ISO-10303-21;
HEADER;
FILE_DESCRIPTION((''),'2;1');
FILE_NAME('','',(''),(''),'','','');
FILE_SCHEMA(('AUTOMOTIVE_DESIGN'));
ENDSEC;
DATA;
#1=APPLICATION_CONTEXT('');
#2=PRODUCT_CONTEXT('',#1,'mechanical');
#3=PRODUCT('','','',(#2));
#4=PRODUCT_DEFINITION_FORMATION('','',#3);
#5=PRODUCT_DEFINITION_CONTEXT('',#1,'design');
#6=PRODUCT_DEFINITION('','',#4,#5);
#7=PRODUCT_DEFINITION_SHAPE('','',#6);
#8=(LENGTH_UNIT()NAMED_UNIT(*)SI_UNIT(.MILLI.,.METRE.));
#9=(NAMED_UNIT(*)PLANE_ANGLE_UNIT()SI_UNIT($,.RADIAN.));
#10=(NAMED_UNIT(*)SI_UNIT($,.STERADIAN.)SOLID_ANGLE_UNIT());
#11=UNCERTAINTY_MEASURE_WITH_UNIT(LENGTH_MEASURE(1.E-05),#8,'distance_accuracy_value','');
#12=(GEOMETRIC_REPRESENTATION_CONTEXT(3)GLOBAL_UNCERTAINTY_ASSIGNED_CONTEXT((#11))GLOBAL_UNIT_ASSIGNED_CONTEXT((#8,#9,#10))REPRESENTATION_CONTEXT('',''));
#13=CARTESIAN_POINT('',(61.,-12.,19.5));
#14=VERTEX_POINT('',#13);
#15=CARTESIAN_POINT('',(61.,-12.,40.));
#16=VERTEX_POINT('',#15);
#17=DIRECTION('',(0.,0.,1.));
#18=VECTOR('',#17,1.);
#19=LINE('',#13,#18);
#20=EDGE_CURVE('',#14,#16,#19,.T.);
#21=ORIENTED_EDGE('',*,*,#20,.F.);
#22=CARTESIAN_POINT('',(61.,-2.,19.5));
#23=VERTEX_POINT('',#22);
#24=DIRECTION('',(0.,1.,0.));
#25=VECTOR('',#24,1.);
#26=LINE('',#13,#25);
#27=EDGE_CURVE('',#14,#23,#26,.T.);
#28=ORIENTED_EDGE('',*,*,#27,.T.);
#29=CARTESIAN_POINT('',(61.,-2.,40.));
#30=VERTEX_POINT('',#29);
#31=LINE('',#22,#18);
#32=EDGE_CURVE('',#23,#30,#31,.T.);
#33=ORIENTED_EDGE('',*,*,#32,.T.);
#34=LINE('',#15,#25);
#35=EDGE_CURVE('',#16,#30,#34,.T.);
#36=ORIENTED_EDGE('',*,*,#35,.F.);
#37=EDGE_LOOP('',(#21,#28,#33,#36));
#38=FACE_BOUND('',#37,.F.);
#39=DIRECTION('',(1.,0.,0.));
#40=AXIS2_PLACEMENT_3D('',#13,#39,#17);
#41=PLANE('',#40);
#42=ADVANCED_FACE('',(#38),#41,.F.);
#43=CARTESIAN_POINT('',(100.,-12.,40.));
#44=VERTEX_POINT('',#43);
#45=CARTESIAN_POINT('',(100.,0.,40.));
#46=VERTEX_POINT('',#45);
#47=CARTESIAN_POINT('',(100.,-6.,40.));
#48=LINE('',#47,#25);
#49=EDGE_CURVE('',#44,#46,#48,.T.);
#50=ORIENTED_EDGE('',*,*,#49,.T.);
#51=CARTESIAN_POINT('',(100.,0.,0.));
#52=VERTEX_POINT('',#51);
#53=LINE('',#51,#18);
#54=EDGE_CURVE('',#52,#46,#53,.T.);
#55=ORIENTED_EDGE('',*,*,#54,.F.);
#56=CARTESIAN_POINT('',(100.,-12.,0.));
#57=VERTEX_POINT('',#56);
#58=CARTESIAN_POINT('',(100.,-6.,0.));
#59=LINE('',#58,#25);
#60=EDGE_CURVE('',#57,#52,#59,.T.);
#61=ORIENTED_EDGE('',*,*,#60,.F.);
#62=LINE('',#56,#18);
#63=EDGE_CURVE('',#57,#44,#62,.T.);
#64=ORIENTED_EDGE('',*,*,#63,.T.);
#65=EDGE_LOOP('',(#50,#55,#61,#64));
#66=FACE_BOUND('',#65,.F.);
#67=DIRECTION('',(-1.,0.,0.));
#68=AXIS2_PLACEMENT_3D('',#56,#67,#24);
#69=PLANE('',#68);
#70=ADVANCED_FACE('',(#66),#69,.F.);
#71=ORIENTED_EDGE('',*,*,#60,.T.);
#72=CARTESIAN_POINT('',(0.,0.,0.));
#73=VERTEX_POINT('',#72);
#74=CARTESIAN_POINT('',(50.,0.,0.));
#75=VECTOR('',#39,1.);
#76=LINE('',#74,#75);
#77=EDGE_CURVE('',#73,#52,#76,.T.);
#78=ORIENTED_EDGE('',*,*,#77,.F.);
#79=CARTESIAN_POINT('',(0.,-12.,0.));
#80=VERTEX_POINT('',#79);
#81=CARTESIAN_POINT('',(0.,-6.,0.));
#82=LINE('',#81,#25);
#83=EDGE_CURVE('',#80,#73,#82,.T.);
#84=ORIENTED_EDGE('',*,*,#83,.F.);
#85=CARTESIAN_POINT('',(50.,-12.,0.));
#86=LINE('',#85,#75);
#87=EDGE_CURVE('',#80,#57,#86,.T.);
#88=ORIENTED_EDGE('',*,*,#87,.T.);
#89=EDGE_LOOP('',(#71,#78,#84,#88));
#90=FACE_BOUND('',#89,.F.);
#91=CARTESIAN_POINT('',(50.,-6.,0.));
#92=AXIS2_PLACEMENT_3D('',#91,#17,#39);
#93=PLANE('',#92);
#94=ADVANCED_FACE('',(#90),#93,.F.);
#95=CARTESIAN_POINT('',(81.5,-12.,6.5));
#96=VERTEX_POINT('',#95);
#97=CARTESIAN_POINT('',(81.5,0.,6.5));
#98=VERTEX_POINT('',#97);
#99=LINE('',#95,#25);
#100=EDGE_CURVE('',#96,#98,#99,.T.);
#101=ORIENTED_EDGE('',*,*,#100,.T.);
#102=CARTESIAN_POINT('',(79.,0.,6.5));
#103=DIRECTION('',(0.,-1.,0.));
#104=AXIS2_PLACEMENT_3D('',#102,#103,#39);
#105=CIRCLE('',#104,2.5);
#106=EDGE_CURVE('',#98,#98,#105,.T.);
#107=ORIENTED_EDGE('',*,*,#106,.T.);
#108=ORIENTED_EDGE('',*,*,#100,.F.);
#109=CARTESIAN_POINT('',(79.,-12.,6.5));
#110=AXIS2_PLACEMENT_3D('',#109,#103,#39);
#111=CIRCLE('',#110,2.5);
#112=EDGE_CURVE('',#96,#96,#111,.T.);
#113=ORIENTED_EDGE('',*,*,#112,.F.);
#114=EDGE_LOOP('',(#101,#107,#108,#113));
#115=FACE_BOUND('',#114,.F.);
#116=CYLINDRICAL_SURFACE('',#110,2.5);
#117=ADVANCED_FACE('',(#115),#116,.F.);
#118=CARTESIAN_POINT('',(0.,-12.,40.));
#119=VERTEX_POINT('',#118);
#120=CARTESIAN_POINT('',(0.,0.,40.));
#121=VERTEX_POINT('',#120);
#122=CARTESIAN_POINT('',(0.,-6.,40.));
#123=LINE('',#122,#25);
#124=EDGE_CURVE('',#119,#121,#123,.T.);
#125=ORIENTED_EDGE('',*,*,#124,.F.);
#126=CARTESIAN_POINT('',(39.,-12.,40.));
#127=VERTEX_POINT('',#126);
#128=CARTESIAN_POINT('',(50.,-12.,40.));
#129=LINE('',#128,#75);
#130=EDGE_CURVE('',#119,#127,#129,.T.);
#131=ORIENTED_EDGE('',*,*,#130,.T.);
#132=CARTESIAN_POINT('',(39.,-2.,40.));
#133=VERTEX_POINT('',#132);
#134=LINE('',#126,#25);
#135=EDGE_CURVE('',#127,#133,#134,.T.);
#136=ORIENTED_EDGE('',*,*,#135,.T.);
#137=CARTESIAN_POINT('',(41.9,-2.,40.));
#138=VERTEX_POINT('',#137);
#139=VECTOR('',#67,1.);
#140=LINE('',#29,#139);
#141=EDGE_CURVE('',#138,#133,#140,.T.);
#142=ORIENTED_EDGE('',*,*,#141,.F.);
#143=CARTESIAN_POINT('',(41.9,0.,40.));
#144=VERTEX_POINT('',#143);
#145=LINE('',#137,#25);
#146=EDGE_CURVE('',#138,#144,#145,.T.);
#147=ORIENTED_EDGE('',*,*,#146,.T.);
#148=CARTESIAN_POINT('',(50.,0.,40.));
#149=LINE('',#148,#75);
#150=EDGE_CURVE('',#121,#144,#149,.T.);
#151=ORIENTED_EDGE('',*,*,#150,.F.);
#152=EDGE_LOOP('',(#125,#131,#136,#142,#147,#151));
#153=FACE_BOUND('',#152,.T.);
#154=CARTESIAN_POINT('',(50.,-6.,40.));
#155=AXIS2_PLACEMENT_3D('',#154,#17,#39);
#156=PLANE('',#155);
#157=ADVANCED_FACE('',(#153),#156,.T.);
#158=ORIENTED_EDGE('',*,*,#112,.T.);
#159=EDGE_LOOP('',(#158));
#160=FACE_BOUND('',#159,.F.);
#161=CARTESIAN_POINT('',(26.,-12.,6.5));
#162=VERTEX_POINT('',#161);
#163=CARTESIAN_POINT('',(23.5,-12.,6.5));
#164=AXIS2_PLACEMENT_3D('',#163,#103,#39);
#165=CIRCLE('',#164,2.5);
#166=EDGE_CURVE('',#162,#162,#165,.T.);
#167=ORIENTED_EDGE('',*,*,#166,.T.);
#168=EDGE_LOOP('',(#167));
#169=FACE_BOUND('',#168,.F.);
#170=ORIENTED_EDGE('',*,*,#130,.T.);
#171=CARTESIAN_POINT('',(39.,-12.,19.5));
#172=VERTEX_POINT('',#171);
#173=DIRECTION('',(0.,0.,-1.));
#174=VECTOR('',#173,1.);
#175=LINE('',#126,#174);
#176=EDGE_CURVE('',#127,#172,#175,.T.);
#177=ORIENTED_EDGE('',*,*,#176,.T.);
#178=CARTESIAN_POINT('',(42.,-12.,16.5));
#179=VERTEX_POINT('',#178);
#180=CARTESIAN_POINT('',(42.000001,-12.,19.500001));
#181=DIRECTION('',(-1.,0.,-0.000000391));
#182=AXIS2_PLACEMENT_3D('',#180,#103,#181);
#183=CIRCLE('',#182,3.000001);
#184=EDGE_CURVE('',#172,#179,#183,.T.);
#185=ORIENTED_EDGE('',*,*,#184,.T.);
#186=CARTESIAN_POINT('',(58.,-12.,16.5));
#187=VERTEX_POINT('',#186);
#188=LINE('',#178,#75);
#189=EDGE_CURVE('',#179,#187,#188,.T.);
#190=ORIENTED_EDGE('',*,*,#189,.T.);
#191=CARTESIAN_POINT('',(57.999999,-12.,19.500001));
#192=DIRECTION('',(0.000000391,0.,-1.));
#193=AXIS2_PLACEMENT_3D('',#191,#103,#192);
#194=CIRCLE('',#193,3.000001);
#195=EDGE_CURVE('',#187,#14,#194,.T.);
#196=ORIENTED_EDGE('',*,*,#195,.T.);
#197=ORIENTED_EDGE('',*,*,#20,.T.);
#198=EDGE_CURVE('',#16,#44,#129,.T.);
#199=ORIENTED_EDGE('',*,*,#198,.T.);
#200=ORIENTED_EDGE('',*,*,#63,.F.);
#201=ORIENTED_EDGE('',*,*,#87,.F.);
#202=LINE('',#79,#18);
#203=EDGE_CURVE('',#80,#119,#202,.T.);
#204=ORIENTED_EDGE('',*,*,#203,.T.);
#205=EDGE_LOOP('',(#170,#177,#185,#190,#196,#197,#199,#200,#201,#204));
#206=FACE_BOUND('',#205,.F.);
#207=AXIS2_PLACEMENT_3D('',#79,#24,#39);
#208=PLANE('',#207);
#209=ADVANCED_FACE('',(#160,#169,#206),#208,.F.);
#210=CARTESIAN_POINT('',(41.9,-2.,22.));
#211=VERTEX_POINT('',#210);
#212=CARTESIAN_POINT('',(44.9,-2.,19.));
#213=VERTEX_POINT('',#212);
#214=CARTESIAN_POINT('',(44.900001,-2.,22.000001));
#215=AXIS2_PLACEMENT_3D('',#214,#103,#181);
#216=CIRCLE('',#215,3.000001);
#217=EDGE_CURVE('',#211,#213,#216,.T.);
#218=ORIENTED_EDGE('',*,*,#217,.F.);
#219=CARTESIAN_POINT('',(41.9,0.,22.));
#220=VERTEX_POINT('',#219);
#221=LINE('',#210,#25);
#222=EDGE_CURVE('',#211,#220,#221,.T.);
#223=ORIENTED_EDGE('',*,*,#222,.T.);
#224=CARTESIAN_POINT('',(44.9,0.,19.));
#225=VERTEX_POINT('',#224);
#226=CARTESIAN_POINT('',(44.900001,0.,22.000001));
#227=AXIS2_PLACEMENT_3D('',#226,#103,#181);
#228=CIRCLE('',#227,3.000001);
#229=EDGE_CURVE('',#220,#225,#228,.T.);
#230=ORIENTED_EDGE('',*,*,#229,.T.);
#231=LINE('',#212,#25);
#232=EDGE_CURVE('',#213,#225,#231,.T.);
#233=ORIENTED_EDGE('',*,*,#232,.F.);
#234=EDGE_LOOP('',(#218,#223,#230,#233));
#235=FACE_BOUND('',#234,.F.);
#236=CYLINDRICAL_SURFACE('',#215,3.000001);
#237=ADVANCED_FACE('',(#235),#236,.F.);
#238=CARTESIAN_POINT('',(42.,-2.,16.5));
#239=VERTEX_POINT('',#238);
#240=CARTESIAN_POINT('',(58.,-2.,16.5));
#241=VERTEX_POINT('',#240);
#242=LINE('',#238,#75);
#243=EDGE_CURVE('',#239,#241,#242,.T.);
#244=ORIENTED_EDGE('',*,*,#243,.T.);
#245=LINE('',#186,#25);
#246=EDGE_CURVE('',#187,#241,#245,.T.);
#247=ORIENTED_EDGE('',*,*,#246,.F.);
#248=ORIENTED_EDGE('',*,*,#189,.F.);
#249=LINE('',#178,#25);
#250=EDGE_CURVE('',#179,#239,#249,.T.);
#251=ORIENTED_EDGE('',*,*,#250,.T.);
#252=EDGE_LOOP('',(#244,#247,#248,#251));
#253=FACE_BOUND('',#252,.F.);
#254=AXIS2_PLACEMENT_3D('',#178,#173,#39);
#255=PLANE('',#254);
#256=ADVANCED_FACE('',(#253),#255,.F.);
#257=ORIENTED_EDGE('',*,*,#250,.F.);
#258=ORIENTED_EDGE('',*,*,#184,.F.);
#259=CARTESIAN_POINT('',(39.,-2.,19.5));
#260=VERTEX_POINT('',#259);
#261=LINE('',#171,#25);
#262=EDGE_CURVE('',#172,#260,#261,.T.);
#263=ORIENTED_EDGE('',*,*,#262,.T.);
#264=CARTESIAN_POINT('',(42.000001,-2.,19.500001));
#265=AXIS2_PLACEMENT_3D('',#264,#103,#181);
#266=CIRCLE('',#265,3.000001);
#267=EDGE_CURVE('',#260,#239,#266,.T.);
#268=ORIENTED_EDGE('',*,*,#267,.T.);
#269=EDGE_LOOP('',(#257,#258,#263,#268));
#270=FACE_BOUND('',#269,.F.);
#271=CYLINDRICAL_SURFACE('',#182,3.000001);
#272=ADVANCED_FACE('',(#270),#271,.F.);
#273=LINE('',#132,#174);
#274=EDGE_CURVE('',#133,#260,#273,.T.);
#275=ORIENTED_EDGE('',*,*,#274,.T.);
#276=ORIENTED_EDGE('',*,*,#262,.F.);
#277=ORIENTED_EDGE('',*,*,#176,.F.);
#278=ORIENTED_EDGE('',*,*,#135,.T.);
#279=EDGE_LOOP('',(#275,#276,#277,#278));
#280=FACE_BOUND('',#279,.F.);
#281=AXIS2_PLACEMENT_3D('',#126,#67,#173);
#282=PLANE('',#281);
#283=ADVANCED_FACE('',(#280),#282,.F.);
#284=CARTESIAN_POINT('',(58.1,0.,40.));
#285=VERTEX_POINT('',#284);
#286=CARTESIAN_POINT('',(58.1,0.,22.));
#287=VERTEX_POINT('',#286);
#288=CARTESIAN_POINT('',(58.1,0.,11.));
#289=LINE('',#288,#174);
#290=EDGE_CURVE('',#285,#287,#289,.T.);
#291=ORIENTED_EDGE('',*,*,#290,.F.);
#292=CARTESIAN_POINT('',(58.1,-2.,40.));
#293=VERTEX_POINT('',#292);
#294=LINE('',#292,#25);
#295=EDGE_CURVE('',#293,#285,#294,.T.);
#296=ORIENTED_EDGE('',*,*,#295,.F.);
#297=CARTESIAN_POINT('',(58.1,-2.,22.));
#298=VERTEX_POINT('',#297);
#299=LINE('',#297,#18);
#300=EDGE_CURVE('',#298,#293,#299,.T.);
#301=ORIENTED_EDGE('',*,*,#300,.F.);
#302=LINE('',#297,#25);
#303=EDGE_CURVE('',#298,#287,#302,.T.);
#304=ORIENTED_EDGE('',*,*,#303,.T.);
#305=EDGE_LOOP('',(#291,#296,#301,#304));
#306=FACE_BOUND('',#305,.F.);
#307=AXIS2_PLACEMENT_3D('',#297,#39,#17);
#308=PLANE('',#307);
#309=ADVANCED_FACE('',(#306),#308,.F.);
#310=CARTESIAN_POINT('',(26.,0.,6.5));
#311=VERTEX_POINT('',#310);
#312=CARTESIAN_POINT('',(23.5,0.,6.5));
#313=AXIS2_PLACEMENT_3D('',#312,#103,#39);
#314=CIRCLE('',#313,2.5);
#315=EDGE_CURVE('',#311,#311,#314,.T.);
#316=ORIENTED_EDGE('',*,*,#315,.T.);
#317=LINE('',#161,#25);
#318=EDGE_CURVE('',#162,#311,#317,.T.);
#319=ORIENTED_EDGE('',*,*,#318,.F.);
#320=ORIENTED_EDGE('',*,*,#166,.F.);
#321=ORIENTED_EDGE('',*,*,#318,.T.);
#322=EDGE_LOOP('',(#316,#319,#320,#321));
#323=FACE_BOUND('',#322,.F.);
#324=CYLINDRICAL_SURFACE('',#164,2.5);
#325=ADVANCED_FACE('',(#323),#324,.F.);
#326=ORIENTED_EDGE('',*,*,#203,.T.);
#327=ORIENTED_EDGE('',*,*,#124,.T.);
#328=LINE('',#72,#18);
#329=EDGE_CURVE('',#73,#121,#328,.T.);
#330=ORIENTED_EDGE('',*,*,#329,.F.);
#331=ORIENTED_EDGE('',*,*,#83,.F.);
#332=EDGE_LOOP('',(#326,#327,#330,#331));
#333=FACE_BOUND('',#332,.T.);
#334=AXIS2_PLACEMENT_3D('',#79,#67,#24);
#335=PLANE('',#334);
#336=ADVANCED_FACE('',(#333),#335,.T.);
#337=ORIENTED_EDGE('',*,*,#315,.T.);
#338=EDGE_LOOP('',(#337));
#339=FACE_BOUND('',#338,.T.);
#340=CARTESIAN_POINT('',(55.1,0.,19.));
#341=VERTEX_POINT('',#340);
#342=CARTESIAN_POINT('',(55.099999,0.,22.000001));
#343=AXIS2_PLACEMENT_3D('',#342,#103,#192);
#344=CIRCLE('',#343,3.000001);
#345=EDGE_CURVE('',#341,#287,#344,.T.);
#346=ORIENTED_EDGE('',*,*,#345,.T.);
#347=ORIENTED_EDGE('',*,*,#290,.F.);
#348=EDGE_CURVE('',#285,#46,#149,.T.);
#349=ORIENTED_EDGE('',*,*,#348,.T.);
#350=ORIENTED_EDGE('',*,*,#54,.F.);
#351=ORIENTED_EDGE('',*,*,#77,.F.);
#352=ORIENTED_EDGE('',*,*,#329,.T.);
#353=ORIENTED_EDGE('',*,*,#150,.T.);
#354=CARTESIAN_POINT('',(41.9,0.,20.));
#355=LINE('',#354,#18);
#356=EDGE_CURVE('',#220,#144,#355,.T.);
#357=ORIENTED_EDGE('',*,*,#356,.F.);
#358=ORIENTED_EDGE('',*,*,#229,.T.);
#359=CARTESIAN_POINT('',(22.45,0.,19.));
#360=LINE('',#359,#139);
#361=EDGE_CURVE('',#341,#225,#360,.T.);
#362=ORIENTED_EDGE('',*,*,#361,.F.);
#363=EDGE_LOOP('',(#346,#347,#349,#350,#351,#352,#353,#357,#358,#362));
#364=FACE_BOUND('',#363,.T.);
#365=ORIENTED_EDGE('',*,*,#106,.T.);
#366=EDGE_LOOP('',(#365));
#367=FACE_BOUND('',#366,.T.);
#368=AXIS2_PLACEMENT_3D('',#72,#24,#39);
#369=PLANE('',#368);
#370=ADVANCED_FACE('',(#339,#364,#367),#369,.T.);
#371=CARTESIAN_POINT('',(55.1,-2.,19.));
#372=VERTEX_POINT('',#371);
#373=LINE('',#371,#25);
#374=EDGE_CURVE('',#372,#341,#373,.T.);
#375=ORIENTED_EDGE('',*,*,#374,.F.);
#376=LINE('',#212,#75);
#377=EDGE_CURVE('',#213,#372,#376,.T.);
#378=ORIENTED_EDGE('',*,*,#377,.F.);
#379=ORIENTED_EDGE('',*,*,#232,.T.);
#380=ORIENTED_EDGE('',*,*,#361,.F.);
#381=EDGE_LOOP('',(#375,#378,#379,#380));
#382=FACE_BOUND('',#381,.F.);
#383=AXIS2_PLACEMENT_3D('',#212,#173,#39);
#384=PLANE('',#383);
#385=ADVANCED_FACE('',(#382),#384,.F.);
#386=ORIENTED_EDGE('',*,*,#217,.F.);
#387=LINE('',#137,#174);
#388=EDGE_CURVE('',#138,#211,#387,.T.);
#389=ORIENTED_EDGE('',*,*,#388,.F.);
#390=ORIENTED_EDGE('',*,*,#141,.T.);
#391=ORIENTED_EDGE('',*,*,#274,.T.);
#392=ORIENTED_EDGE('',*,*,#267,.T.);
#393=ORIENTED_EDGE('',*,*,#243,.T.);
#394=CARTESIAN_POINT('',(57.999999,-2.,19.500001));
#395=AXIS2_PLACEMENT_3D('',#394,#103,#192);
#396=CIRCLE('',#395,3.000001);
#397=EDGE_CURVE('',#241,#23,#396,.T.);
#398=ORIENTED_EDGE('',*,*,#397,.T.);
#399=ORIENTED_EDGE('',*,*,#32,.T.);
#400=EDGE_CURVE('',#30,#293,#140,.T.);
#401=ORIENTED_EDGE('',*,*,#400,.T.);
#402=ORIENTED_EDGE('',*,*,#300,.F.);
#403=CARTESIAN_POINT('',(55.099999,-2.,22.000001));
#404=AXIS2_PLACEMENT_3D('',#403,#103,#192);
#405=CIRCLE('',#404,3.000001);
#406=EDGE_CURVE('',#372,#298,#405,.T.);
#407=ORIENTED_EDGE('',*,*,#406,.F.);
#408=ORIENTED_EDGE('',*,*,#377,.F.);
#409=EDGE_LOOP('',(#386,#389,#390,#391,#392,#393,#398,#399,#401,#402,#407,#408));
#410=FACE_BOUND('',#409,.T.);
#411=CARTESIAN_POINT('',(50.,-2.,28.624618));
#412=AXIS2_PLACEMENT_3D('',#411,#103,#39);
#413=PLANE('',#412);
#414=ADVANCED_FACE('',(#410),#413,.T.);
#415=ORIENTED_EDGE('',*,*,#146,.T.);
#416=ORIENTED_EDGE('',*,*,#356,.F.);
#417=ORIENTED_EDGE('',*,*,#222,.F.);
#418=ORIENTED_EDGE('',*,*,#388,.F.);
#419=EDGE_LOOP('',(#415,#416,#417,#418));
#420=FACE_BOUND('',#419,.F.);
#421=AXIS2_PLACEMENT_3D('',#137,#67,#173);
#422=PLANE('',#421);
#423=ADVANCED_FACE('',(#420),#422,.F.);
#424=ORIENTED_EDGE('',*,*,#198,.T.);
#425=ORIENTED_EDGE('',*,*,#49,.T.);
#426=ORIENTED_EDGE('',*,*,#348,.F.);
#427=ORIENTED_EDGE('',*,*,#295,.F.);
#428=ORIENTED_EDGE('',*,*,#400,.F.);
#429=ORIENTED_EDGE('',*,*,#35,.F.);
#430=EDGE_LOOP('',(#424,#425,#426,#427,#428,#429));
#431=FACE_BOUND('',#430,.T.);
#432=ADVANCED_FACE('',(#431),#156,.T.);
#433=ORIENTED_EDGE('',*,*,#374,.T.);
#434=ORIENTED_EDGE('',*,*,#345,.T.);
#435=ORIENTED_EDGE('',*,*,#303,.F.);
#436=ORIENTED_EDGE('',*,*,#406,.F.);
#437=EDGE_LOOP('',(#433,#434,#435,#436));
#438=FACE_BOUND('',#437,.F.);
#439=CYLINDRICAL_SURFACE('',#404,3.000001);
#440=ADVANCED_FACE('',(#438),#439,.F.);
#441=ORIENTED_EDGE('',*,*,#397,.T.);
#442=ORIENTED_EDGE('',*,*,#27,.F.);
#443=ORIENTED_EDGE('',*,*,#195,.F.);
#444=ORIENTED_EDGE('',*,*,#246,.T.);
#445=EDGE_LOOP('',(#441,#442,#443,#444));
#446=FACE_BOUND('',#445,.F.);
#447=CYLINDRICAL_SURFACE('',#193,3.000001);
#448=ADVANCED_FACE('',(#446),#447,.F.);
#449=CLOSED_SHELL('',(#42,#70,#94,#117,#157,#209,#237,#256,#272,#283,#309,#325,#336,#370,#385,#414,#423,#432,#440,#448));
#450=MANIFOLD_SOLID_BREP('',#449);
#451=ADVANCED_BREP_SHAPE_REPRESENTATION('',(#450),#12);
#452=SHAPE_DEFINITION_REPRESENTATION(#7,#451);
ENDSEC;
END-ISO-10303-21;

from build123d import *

# Parameters (mm, degrees)
F0_W     = 100
F0_H     = 12
F1_DEPTH = 40
F2_R     = 2.5
F3_DEPTH = 25
F5_DEPTH = 10
F7_DEPTH = 25


with BuildPart() as f1:
    # F0 (on Top) → F1 (new body)
    with BuildSketch(Plane.XY):
        with Locations((50, -6)):
            Rectangle(F0_W, F0_H)
    extrude(amount=F1_DEPTH)

    # F2 (on face) → F3 (cut)
    with BuildSketch(Plane.XZ.offset(12)):
        with Locations((79, 6.5)):
            Circle(F2_R)
        with Locations((23.5, 6.5)):
            Circle(F2_R)
    extrude(amount=-F3_DEPTH, mode=Mode.SUBTRACT)

    # F4 (on face) → F5 (cut)
    with BuildSketch(Plane.XZ.offset(12)):
        with BuildLine():
            Line((61, 40), (39, 40))
            Line((39, 40), (39, 19.5))
            ThreePointArc((39, 19.5), (39.87868, 17.37868), (42, 16.5))
            Line((42, 16.5), (58, 16.5))
            ThreePointArc((58, 16.5), (60.12132, 17.37868), (61, 19.5))
            Line((61, 19.5), (61, 40))
        make_face()
    extrude(amount=-F5_DEPTH, mode=Mode.SUBTRACT)

    # F6 (on face) → F7 (cut)
    with BuildSketch(Plane.XZ.offset(2)):
        with BuildLine():
            Line((58.1, 40), (41.9, 40))
            Line((41.9, 40), (41.9, 22))
            ThreePointArc((41.9, 22), (42.77868, 19.87868), (44.9, 19))
            Line((44.9, 19), (55.1, 19))
            ThreePointArc((55.1, 19), (57.22132, 19.87868), (58.1, 22))
            Line((58.1, 22), (58.1, 40))
        make_face()
    extrude(amount=-F7_DEPTH, mode=Mode.SUBTRACT)


solid = f1.part
